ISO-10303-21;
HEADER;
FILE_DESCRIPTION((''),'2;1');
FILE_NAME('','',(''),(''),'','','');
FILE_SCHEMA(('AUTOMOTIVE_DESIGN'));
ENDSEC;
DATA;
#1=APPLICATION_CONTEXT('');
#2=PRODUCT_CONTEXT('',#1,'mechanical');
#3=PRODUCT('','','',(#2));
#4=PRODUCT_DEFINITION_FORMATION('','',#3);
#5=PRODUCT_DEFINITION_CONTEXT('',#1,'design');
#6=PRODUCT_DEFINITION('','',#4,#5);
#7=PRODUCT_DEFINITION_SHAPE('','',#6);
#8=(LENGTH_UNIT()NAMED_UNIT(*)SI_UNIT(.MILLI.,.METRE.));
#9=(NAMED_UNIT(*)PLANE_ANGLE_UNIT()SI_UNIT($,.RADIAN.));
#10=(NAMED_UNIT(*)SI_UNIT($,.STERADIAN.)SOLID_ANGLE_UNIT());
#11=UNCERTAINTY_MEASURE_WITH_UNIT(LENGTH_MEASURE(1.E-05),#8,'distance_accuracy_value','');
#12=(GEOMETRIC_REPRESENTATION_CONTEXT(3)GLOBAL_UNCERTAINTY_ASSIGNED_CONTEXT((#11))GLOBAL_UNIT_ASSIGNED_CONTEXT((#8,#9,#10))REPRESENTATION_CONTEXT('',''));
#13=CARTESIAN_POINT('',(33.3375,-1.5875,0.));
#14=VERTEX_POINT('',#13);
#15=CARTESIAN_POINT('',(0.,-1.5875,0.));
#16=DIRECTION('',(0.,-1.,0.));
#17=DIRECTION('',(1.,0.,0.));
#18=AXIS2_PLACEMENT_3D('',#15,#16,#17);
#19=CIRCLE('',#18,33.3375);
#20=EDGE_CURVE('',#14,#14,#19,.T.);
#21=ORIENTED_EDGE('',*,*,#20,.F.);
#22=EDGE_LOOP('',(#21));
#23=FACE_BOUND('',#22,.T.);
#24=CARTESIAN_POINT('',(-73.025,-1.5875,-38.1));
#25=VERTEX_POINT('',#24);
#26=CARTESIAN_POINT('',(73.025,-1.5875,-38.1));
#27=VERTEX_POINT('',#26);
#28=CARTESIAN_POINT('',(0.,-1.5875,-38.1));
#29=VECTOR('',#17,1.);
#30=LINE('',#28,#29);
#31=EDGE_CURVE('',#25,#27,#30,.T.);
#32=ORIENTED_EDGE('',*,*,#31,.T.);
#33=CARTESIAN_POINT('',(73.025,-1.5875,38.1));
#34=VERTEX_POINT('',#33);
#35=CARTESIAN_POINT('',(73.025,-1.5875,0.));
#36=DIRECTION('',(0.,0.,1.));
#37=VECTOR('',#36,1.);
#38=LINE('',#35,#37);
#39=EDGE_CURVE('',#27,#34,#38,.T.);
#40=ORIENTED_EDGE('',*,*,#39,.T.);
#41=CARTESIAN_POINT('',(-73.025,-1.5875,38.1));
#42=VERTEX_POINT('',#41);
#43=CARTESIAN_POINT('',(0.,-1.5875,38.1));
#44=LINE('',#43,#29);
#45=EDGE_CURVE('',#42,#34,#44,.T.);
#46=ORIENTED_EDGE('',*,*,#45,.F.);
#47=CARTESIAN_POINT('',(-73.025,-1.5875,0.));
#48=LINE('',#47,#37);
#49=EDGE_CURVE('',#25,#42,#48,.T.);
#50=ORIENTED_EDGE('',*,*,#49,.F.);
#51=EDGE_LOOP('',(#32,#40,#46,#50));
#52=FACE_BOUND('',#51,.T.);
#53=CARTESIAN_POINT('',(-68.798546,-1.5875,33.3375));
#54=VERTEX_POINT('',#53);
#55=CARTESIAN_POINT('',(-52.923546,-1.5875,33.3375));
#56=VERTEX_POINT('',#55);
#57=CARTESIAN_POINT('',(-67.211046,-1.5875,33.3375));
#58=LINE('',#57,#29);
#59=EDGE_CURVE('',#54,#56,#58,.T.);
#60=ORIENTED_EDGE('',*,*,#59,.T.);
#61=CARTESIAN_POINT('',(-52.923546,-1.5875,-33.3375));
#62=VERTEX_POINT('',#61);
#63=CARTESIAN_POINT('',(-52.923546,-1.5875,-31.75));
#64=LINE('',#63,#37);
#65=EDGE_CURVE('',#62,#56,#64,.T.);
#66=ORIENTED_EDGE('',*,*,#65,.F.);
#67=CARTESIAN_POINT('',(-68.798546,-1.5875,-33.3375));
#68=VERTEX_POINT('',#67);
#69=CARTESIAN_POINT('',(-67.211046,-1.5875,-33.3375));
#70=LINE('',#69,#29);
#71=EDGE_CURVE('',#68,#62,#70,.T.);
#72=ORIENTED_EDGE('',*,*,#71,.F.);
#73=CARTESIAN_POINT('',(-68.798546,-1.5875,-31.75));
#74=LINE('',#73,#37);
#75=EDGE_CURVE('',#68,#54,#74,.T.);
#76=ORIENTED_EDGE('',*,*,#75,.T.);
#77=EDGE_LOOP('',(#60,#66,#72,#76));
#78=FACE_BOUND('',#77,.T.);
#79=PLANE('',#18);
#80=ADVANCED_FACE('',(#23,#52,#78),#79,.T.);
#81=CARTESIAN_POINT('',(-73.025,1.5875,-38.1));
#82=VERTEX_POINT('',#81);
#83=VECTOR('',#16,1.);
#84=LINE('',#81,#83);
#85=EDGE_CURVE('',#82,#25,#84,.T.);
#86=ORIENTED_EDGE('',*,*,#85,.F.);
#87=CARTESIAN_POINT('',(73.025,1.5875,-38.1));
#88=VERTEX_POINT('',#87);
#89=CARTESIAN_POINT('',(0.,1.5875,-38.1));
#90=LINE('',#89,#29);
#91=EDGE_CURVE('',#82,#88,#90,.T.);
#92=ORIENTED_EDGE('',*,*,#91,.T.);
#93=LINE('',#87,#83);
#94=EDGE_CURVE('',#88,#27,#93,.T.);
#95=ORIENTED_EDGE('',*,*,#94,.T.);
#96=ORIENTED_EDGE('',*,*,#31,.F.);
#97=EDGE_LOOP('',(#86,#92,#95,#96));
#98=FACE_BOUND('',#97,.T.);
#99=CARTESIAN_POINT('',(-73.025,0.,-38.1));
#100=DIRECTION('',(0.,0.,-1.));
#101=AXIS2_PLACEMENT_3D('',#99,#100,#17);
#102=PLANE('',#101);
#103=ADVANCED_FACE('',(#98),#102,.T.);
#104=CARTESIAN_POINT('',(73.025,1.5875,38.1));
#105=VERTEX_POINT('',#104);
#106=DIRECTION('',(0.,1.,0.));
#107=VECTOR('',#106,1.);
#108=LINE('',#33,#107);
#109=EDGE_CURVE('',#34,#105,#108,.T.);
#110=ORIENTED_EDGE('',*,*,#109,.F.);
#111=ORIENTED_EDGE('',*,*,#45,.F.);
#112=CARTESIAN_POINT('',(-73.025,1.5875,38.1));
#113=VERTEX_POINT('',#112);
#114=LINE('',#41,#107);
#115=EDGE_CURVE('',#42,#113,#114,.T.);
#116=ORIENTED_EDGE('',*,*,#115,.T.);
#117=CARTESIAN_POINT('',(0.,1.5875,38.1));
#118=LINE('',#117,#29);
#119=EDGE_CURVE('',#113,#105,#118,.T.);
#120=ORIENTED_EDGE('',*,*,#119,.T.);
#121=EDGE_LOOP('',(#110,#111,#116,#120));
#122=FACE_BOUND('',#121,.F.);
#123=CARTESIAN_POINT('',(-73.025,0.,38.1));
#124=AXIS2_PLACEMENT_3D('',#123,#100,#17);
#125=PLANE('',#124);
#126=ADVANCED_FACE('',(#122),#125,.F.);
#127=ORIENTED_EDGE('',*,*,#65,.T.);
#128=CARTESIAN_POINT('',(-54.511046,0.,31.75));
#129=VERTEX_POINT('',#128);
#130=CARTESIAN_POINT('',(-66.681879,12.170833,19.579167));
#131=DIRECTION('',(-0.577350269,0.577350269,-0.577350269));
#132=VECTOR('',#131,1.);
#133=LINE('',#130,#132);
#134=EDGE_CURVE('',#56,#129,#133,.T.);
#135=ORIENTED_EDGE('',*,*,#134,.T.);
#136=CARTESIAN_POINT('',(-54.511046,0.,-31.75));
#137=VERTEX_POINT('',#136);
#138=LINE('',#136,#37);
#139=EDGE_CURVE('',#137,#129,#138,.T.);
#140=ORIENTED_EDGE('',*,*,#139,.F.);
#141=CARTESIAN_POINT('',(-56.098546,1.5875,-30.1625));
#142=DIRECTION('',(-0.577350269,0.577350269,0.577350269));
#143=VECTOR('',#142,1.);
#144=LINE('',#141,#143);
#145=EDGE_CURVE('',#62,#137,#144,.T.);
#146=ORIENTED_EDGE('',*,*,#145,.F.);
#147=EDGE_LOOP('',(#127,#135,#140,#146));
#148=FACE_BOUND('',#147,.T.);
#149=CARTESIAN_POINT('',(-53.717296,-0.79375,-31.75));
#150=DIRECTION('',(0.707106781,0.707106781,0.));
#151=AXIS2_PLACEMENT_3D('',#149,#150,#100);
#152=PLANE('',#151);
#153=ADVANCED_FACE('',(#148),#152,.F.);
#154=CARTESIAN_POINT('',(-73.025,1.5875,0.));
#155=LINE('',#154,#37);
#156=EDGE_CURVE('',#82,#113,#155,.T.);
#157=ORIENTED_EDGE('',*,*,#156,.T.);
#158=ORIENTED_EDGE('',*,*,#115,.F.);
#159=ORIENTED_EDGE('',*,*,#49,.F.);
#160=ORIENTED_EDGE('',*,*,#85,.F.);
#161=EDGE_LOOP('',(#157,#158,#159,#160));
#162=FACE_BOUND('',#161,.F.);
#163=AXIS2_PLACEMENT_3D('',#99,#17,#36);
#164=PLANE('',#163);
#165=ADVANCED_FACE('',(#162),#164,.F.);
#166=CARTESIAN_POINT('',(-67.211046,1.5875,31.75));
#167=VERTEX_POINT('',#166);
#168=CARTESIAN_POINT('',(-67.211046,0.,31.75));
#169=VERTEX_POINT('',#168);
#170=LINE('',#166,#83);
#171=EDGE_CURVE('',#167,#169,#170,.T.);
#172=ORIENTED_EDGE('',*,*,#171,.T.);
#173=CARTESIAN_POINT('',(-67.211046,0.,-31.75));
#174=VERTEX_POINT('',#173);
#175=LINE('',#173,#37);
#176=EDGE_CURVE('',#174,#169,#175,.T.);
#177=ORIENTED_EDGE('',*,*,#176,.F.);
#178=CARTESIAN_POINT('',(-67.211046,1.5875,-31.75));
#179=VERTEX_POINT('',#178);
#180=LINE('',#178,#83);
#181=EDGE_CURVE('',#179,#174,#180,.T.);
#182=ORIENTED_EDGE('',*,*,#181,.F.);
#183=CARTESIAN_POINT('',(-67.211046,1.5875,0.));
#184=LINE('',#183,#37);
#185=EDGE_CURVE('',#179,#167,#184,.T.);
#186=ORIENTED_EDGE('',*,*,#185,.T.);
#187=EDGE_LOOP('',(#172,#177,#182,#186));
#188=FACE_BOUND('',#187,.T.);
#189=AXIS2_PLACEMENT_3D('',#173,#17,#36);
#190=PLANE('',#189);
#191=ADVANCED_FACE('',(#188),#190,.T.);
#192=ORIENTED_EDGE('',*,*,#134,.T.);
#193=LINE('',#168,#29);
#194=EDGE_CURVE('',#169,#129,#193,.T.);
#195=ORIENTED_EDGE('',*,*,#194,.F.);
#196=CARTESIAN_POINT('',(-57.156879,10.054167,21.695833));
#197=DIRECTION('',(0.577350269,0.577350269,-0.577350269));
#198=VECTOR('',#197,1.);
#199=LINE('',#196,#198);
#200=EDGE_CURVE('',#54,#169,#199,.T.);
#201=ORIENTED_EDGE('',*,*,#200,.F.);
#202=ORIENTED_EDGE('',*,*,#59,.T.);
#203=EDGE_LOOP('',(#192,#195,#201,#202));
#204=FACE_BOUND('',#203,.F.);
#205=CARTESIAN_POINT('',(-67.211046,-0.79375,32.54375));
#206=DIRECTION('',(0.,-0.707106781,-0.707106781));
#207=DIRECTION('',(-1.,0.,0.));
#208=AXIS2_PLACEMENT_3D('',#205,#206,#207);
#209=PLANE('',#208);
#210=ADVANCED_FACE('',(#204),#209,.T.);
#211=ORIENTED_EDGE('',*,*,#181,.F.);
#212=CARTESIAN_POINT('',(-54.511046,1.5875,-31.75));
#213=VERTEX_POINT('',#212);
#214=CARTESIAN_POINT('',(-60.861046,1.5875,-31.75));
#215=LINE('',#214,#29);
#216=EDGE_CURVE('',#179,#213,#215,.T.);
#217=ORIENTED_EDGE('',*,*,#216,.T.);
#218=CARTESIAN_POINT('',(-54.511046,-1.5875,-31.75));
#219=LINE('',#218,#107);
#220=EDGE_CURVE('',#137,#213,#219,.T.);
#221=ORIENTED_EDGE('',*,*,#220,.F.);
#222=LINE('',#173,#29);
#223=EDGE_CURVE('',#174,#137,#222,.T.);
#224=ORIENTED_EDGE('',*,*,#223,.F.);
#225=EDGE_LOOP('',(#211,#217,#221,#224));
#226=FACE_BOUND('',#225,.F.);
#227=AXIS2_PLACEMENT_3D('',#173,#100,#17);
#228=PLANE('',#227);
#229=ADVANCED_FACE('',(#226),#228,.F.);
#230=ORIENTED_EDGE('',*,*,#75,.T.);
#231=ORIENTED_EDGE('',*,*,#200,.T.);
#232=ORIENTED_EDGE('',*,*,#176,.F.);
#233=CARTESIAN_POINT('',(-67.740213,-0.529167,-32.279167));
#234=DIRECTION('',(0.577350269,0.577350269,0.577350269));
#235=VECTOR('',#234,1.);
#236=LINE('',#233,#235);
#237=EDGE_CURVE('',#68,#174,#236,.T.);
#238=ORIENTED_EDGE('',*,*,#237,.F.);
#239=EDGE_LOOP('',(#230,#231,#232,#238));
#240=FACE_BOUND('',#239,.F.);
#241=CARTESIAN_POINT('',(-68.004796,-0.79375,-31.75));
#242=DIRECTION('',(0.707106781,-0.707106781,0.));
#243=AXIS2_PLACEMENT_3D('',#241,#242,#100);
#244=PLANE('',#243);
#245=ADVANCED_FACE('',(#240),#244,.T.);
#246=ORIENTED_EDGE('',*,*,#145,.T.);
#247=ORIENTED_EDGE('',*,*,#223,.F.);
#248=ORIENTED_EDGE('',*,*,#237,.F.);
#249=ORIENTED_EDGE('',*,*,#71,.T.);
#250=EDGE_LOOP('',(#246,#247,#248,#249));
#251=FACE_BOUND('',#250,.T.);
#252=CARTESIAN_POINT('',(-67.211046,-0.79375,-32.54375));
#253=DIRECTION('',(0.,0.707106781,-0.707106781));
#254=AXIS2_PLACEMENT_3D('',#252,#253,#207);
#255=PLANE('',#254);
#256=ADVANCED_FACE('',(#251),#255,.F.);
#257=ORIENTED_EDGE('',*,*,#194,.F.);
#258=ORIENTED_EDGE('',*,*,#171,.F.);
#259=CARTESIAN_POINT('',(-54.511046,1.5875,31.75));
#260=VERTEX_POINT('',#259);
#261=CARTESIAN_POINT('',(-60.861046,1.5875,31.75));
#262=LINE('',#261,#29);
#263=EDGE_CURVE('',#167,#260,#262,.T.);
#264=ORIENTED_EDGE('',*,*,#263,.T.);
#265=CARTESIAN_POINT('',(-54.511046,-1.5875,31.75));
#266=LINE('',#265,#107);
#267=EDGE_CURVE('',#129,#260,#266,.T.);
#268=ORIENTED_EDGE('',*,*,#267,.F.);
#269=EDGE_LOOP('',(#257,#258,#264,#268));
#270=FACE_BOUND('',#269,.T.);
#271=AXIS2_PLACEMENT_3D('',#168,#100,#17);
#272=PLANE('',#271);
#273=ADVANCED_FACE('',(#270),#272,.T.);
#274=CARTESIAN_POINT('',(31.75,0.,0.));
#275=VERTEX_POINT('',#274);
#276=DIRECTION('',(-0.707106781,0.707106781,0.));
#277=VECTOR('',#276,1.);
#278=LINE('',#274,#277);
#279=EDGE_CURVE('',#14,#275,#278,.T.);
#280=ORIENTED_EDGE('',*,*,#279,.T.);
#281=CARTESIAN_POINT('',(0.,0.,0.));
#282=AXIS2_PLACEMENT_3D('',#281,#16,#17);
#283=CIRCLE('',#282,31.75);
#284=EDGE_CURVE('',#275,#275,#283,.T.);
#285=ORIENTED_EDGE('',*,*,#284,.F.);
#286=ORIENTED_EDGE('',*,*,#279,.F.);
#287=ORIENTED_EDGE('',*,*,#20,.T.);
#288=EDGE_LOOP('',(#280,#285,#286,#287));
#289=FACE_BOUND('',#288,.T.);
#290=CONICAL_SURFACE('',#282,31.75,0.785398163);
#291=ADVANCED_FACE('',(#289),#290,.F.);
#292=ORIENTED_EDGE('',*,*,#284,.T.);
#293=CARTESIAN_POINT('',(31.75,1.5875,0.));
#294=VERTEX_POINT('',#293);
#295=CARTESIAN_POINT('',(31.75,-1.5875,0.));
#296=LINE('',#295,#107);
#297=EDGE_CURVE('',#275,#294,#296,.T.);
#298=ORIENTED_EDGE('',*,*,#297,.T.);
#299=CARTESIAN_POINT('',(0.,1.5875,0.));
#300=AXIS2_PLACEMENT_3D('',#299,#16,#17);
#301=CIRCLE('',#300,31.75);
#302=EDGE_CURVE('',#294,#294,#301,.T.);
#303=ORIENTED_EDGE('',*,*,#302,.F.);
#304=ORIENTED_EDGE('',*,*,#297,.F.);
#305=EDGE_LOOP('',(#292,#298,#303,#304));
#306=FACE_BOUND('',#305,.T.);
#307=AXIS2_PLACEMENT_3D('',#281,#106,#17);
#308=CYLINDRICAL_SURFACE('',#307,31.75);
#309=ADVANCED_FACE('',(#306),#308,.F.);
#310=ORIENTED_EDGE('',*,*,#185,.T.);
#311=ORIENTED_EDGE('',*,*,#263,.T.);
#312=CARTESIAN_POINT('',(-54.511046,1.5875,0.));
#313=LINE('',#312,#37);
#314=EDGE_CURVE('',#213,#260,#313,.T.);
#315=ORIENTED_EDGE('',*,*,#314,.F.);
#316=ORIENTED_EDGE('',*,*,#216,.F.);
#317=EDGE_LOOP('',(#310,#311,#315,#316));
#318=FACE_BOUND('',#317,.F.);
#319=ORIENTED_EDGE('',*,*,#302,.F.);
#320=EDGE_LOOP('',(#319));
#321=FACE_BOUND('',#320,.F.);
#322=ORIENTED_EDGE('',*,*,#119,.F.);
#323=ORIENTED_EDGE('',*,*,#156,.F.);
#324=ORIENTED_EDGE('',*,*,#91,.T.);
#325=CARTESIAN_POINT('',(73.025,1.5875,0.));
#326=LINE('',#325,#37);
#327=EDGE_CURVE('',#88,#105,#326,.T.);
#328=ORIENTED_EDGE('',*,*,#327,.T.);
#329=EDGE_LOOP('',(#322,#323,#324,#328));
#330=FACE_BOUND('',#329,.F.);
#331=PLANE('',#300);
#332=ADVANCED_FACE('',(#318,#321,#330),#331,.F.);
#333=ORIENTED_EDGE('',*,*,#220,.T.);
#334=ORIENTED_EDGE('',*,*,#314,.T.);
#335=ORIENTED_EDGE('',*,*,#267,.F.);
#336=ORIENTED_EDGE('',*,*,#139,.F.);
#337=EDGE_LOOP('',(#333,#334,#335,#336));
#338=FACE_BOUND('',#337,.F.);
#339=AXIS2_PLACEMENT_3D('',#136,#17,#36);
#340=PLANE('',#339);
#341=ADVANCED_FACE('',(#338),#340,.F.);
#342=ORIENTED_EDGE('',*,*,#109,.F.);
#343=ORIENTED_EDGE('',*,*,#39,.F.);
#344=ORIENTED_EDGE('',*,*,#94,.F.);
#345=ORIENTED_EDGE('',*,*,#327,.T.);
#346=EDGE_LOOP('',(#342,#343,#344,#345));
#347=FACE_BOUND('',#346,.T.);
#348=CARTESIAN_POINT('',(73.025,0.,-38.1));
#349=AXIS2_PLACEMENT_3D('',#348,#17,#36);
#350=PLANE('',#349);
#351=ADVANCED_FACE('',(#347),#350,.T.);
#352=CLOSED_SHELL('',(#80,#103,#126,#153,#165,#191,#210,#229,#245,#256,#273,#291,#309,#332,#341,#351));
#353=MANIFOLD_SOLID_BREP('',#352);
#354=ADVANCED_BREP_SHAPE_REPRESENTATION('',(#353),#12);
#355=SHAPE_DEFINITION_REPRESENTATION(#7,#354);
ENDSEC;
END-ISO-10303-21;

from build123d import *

# Parameters (mm, degrees)
F0_W     = 146.05
F0_H     = 76.2
F0_W_2   = 12.7
F0_H_2   = 63.5
F0_R     = 31.75
F1_DEPTH = 1.5875
F2_SIZE  = 1.5875
F3_SIZE  = 1.5875


with BuildPart() as f1:
    # F0 (on Front) → F1 (new body, symmetric)
    with BuildSketch(Plane.XZ):
        Rectangle(F0_W, F0_H)
        with Locations((-60.861046, 0)):
            Rectangle(F0_W_2, F0_H_2, mode=Mode.SUBTRACT)
        Circle(F0_R, mode=Mode.SUBTRACT)
    extrude(amount=F1_DEPTH, both=True)

    # F2
    f2_edges = [f1.edges().sort_by_distance(p)[0] for p in [
        (-54.511046, -1.5875, 0),
        (-60.861046, -1.5875, -31.75),
        (-67.211046, -1.5875, 0),
        (-60.861046, -1.5875, 31.75),
    ]]
    chamfer(f2_edges, length=F2_SIZE)

    # F3
    f3_edges = [f1.edges().sort_by_distance(p)[0] for p in [
        (-31.75, -1.5875, 0),
    ]]
    chamfer(f3_edges, length=F3_SIZE)


solid = f1.part
